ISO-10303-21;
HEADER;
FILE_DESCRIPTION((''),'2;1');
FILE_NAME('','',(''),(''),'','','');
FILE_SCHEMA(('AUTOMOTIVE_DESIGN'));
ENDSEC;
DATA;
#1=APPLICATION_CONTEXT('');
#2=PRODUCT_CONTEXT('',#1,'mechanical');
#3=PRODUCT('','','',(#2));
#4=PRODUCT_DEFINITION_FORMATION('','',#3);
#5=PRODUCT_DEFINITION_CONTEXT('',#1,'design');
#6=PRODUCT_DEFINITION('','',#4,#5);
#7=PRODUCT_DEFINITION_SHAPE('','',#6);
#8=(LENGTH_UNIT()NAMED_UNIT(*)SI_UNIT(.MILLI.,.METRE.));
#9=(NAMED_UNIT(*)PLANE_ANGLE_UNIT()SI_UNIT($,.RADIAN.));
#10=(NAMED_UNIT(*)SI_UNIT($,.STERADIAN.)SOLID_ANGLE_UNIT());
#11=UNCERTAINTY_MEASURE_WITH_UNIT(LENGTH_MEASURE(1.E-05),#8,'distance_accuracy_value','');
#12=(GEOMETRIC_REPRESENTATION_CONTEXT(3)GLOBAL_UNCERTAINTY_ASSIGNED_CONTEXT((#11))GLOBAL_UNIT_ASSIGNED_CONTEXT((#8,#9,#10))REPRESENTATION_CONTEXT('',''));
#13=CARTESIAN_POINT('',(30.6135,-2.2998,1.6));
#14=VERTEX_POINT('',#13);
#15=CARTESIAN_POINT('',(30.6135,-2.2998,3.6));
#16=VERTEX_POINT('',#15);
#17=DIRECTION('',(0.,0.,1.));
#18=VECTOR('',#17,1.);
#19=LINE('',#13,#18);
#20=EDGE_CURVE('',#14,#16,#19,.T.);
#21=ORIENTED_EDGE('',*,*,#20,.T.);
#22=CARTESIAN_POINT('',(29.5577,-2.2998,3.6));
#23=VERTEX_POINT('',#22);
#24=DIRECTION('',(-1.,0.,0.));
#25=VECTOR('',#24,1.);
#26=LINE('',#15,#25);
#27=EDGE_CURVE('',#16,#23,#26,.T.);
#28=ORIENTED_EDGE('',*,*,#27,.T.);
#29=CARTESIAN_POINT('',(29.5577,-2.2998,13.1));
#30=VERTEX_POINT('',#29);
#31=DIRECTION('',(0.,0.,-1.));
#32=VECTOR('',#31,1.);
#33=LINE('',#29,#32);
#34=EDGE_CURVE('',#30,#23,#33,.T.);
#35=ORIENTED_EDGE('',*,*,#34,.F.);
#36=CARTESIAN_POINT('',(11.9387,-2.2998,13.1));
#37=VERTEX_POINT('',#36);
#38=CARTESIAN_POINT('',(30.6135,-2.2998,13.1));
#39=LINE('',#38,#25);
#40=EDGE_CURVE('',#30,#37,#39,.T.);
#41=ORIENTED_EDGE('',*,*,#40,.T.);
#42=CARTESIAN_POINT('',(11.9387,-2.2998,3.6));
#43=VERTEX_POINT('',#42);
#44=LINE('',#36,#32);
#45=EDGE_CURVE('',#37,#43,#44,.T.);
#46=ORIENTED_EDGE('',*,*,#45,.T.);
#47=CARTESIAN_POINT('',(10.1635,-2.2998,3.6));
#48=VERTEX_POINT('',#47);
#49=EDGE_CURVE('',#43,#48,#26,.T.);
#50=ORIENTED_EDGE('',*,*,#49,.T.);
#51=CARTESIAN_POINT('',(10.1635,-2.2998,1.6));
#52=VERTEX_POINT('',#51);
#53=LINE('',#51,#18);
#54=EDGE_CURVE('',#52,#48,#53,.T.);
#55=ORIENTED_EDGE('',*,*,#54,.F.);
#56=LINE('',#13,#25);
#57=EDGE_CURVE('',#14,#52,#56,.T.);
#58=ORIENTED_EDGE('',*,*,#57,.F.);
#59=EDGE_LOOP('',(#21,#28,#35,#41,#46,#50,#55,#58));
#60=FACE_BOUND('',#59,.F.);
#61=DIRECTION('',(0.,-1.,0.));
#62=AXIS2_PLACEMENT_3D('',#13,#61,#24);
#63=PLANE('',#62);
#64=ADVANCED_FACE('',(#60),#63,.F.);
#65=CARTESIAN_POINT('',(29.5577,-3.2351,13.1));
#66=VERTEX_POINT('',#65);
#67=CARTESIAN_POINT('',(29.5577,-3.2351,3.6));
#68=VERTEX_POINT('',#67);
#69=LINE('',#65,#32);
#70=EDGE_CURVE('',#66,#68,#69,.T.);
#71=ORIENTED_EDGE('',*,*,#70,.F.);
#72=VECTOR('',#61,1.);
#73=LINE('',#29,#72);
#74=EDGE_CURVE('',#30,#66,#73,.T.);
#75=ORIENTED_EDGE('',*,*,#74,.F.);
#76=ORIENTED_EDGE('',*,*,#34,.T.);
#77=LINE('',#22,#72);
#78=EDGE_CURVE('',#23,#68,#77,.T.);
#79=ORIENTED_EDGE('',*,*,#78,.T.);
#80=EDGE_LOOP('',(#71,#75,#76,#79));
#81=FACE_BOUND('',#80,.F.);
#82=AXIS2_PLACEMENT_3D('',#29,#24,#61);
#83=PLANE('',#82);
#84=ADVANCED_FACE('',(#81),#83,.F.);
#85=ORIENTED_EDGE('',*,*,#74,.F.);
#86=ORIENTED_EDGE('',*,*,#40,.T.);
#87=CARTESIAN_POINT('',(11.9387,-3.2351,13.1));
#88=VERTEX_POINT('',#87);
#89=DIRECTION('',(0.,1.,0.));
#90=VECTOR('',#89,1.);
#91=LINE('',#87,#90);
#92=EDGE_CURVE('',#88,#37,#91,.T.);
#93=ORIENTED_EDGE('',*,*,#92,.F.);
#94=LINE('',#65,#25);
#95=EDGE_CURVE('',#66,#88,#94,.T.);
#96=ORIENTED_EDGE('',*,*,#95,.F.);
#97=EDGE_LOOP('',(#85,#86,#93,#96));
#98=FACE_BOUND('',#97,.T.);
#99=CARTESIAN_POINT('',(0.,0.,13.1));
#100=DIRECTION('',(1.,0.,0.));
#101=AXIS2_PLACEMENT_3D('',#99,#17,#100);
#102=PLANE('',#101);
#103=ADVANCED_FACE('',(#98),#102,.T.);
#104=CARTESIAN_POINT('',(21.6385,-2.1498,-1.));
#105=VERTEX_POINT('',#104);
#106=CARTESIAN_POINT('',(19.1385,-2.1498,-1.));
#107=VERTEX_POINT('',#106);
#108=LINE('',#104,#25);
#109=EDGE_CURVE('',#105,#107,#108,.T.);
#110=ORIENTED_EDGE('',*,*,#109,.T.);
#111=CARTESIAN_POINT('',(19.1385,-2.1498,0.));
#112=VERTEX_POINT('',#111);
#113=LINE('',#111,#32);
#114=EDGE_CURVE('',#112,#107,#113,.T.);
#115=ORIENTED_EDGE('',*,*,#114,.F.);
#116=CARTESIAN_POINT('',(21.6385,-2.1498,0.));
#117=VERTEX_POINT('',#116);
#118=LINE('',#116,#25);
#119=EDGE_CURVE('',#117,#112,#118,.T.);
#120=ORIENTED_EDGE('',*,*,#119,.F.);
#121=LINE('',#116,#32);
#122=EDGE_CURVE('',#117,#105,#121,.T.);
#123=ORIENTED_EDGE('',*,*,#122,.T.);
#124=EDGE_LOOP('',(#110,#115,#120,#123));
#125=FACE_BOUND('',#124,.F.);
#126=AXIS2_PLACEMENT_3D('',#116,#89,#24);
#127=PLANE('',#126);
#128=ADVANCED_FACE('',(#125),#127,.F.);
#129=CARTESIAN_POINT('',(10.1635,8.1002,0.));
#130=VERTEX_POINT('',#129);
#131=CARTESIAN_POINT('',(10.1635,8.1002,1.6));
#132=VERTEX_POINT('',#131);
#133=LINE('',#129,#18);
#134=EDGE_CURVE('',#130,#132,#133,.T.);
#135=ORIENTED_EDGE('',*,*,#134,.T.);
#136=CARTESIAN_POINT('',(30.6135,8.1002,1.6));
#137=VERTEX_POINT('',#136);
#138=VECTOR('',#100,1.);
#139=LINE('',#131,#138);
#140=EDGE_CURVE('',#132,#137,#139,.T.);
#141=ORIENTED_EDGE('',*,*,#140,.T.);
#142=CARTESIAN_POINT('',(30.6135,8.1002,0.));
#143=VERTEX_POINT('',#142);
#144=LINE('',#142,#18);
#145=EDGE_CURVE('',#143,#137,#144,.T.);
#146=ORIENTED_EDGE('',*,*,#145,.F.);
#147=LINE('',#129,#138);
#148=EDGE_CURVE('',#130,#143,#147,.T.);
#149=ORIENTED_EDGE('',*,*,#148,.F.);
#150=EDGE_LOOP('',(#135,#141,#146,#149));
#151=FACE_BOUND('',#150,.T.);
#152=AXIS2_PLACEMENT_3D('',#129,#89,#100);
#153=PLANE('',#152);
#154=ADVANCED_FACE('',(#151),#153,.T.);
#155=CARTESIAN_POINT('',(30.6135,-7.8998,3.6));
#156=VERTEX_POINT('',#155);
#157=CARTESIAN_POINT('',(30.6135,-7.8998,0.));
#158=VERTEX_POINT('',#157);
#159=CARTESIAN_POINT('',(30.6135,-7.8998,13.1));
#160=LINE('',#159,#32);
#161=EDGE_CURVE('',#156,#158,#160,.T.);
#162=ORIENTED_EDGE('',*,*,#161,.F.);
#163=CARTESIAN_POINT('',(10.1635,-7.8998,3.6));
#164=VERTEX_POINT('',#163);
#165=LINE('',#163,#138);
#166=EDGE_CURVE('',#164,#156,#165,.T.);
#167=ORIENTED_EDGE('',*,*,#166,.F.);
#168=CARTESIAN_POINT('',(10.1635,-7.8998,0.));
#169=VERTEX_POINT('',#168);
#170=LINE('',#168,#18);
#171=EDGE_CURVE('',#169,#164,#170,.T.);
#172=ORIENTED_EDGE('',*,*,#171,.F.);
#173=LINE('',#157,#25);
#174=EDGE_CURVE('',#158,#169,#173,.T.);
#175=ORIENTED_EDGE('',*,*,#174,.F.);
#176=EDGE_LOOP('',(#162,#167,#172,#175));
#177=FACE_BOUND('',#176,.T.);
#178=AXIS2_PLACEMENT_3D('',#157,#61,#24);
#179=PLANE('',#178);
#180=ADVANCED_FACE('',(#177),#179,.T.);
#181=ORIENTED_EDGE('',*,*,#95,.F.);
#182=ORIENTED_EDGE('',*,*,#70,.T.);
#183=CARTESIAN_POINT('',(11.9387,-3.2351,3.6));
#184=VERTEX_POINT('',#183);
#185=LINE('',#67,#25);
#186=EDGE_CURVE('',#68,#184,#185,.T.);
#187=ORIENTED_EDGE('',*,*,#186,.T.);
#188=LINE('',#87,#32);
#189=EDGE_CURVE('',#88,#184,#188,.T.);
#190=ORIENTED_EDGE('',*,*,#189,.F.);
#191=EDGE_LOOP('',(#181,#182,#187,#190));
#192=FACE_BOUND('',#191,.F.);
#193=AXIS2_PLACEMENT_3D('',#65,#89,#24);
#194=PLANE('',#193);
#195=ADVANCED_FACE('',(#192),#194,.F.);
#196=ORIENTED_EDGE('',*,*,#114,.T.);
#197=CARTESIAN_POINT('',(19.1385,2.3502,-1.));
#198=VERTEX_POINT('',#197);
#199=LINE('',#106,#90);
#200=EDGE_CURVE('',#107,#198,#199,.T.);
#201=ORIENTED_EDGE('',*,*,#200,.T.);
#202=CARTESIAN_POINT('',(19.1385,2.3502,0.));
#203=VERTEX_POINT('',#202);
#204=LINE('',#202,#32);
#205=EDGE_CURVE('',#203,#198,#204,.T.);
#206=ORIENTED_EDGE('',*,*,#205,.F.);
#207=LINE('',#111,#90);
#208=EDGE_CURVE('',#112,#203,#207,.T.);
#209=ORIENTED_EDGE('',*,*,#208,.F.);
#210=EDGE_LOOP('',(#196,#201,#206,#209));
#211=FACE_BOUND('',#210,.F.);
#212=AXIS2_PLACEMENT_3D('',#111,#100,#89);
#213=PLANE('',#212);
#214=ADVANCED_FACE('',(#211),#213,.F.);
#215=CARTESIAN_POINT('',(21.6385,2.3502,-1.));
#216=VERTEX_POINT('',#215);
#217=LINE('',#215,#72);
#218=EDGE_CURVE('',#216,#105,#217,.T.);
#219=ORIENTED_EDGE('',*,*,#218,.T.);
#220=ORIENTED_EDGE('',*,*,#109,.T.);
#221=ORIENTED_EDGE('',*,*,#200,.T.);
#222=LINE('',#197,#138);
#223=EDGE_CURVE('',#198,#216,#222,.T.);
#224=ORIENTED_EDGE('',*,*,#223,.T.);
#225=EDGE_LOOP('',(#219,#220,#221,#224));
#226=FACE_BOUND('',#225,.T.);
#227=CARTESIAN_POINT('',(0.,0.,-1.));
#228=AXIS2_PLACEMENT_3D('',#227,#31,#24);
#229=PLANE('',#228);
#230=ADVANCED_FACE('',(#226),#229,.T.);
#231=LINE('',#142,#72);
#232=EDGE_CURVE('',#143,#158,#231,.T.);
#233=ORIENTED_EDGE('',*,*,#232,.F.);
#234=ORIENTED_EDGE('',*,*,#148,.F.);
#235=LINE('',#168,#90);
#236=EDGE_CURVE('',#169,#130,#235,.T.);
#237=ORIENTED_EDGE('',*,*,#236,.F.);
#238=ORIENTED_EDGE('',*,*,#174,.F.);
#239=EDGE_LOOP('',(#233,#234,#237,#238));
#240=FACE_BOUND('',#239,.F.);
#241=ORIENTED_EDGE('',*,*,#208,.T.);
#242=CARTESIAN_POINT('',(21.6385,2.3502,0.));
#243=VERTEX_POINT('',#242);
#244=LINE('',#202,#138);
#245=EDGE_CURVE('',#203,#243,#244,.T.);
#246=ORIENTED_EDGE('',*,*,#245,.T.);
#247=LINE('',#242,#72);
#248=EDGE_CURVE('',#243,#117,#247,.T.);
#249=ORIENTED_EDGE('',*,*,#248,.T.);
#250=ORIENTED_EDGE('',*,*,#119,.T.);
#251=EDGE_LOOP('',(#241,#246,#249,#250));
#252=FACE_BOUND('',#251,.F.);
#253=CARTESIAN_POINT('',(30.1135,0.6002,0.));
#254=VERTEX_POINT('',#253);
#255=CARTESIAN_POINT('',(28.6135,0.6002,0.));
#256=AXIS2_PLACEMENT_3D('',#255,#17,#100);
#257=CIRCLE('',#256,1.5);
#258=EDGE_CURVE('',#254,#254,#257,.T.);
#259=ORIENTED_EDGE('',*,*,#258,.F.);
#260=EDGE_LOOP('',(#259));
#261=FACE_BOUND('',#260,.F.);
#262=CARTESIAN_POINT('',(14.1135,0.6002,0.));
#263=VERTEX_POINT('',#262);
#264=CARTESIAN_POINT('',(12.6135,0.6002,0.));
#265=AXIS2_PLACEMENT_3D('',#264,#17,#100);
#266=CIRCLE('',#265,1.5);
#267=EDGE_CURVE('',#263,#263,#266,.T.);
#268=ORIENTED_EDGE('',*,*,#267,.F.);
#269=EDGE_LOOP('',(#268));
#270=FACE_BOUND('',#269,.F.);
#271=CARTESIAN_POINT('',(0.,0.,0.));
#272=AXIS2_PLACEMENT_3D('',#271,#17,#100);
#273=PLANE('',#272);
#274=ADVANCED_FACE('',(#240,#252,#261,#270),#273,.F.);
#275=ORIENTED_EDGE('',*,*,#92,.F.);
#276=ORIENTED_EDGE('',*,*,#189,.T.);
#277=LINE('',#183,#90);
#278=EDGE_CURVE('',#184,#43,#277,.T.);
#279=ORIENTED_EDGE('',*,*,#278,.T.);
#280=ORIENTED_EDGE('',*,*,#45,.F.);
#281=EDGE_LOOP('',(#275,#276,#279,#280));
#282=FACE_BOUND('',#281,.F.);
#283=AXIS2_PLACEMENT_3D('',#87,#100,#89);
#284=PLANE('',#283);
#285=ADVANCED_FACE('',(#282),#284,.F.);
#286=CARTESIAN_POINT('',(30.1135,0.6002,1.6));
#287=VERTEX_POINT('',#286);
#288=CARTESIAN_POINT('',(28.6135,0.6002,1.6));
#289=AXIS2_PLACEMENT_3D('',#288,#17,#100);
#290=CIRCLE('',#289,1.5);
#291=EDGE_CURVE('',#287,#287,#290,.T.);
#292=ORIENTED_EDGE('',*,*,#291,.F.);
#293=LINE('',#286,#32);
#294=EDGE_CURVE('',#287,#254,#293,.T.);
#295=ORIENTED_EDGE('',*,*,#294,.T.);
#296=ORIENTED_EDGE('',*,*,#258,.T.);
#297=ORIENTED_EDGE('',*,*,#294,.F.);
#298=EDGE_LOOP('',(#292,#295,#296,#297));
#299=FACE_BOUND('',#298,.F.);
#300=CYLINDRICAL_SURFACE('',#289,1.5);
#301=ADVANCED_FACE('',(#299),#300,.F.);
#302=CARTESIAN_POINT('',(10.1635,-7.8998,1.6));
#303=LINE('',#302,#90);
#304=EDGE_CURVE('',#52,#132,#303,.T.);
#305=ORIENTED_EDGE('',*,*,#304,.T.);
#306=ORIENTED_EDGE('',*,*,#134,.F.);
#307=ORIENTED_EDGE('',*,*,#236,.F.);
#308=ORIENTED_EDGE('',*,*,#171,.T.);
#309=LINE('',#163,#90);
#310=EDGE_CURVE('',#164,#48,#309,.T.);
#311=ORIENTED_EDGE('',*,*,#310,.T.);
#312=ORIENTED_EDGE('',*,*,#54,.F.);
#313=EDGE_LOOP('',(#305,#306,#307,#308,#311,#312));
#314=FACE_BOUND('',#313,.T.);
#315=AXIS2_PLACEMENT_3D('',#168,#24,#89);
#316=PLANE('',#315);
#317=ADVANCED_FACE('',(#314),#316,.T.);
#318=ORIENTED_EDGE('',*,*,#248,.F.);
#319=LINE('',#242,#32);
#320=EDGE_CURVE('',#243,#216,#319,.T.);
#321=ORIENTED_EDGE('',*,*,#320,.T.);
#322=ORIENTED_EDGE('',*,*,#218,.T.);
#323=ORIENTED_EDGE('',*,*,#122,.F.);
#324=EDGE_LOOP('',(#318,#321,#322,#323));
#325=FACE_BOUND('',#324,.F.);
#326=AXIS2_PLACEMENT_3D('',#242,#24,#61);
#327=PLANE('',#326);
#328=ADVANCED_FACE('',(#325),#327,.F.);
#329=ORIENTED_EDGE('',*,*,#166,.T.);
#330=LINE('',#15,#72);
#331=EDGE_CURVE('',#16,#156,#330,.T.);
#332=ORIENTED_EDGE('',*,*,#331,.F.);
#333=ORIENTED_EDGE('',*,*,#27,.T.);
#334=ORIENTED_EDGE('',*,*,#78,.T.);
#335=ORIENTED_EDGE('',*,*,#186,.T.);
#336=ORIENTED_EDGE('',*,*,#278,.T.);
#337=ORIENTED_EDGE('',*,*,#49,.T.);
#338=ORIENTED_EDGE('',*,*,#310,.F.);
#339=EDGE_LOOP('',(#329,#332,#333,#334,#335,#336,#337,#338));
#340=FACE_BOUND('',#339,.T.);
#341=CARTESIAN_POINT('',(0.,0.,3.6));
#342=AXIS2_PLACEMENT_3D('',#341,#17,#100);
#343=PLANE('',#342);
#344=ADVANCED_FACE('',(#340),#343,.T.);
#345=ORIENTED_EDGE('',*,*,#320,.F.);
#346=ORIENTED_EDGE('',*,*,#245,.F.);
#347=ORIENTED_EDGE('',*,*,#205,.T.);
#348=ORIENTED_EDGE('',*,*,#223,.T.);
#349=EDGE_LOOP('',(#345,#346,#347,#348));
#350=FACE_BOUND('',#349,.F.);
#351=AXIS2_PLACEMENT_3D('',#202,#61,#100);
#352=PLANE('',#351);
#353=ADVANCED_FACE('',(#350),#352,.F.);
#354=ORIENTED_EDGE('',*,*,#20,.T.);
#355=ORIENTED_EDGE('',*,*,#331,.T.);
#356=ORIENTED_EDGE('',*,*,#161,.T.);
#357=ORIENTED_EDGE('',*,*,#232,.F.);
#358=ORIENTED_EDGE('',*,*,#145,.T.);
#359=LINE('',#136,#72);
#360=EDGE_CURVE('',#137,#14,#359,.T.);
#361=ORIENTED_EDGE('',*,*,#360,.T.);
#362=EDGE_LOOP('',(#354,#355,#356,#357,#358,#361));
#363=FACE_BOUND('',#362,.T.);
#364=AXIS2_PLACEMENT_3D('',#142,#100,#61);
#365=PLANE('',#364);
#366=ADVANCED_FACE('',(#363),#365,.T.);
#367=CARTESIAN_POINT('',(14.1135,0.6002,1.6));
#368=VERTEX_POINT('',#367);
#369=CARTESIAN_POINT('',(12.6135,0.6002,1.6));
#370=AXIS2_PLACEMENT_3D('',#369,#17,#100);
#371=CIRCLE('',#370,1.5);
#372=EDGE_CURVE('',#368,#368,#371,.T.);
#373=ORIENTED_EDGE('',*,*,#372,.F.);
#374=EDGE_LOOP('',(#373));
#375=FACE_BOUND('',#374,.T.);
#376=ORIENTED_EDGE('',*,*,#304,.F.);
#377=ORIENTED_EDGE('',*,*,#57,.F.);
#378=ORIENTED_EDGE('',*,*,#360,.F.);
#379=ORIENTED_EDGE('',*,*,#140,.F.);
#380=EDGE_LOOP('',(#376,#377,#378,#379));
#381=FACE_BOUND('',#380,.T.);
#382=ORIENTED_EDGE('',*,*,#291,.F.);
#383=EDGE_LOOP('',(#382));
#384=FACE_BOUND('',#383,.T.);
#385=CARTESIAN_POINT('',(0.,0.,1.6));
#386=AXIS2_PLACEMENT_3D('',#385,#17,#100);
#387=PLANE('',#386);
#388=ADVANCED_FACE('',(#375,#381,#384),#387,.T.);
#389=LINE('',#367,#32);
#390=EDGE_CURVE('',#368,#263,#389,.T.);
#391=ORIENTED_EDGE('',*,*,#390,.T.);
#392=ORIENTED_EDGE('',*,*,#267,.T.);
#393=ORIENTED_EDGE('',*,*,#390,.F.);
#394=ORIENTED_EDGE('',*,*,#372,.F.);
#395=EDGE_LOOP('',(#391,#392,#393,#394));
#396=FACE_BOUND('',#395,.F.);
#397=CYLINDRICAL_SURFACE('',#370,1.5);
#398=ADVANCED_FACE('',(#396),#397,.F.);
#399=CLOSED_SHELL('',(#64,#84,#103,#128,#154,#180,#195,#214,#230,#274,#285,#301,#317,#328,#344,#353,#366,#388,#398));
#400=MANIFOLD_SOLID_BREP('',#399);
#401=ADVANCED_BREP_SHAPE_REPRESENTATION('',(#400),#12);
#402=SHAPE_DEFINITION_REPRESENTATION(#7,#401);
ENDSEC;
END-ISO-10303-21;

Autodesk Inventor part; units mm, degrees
ref_plane "YZ Plane" through (0, 0, 0) normal (1, 0, 0) x (0, 1, 0)
ref_plane "XZ Plane" through (0, 0, 0) normal (0, 1, 0) x (-1, 0, 0)
ref_plane "XY Plane" through (0, 0, 0) normal (0, 0, 1) x (1, 0, 0)
sketch "Boceto1" plane through (0, 0, 0) normal (0, 0, 1) x (1, 0, 0)
  circle A0 centre (20.3885, 0.1002) radius 16.5 projected
  circle A1 centre (20.3885, 0.1002) radius 19.85 projected
  line L0 (10.1635, 8.1002) -> (30.6135, 8.1002)
  line L1 (30.6135, 8.1002) -> (30.6135, -7.8998)
  line L2 (30.6135, -7.8998) -> (10.1635, -7.8998)
  line L3 (10.1635, -7.8998) -> (10.1635, 8.1002)
  line L4 (10.1635, 8.1002) -> (30.6135, -7.8998) construction
  line L5 (30.6135, 8.1002) -> (10.1635, -7.8998) construction
  point P0 (0, 0)
  dimension "d0" = 20.45
  dimension "d1" = 16
extrude "Extrusión1" add sketch "Boceto1" along normal blind 1.6 contours L0 L1 L2 L3
sketch "Boceto2" plane through (0, 0, 1.6) normal (0, 0, 1) x (1, 0, 0)
  line L0 (10.1635, -7.8998) -> (30.6135, -7.8998) projected
  line L1 (30.6135, -7.8998) -> (30.6135, -2.2998)
  line L2 (30.6135, -7.8998) -> (30.6135, 8.1002) projected
  line L3 (30.6135, -2.2998) -> (10.1635, -2.2998)
  line L4 (10.1635, 8.1002) -> (10.1635, -7.8998) projected
  line L5 (10.1635, -7.8998) -> (10.1635, -2.2998)
  line L6 (30.6135, -7.8998) -> (10.1635, -7.8998)
  point P0 (0, 0)
  dimension "d4" = 5.6
extrude "Extrusión2" add sketch "Boceto2" along normal blind 11.5
sketch "Boceto3" plane through (0, 0, 13.1) normal (0, 0, 1) x (1, 0, 0)
  line L0 (30.6135, -2.2998) -> (10.1635, -2.2998) projected
  line L1 (11.9387, -2.2998) -> (10.1635, -2.2998)
  line L2 (10.1635, -2.2998) -> (10.1635, -7.8194)
  line L3 (10.1635, -7.8194) -> (30.6135, -7.8194)
  line L4 (30.6135, -7.8194) -> (30.6135, -2.2998)
  line L5 (30.6135, -2.2998) -> (29.5577, -2.2998)
  line L6 (29.5577, -3.2351) -> (11.9387, -3.2351)
  line L7 (11.9387, -3.2351) -> (11.9387, -2.2998)
  line L8 (29.5577, -2.2998) -> (29.5577, -3.2351)
  point P0 (0, 0)
extrude "Extrusión3" cut sketch "Boceto3" against normal blind 9.5 contours L4 L3 L2 L0 L7 L6 L8
sketch "Boceto4" plane through (0, 0, 13.1) normal (0, 0, 1) x (1, 0, 0)
  line L0 (30.6135, -7.8194) -> (10.1635, -7.8194) projected
  line L1 (10.1635, -7.8194) -> (10.1635, -7.8998) projected
  line L2 (10.1635, -7.8998) -> (30.6135, -7.8998) projected
  line L3 (30.6135, -7.8998) -> (30.6135, -7.8194) projected
  point P0 (0, 0)
extrude "Extrusión4" cut sketch "Boceto4" against normal blind 9.5
sketch "Boceto5" plane through (0, 0, 1.6) normal (0, 0, 1) x (1, 0, 0)
  circle A0 centre (28.6135, 0.6002) radius 1.5
  line L0 (28.6135, 0.6002) -> (12.6135, 0.6002) construction
  line L1 (28.6135, 0.6002) -> (44.6135, 0.6002) construction
  circle A1 centre (12.6135, 0.6002) radius 1.5
  point P0 (0, 0)
  point P1 (30.6135, 8.1002)
  dimension "d14" = 16
  dimension "d15" = 180
  dimension "d16" = 3
extrude "Extrusión5" cut sketch "Boceto5" against normal through all
sketch "Boceto6" plane through (0, 0, 0) normal (0, 0, -1) x (-1, 0, 0)
  line L0 (-10.1635, -7.8998) -> (-10.1635, 8.1002) construction
  line L1 (-30.6135, -7.8998) -> (-10.1635, -7.8998) construction
  line L2 (-10.1635, 8.1002) -> (-30.6135, -7.8998) construction
  line L3 (-30.6135, 8.1002) -> (-30.6135, -7.8998) construction
  line L4 (-10.1635, -7.8998) -> (-30.6135, 8.1002) construction
  line L5 (-19.1385, 2.3502) -> (-21.6385, 2.3502)
  line L6 (-21.6385, 2.3502) -> (-21.6385, -2.1498)
  line L7 (-21.6385, -2.1498) -> (-19.1385, -2.1498)
  line L8 (-19.1385, -2.1498) -> (-19.1385, 2.3502)
  line L9 (-19.1385, 2.3502) -> (-21.6385, -2.1498) construction
  line L10 (-21.6385, 2.3502) -> (-19.1385, -2.1498) construction
  point P0 (0, 0)
  point P1 (-20.3885, 0.1002)
  dimension "d19" = 2.5
  dimension "d20" = 4.5
extrude "Extrusión6" add sketch "Boceto6" along normal blind 1
properties part number "SensorCJMCU530"
